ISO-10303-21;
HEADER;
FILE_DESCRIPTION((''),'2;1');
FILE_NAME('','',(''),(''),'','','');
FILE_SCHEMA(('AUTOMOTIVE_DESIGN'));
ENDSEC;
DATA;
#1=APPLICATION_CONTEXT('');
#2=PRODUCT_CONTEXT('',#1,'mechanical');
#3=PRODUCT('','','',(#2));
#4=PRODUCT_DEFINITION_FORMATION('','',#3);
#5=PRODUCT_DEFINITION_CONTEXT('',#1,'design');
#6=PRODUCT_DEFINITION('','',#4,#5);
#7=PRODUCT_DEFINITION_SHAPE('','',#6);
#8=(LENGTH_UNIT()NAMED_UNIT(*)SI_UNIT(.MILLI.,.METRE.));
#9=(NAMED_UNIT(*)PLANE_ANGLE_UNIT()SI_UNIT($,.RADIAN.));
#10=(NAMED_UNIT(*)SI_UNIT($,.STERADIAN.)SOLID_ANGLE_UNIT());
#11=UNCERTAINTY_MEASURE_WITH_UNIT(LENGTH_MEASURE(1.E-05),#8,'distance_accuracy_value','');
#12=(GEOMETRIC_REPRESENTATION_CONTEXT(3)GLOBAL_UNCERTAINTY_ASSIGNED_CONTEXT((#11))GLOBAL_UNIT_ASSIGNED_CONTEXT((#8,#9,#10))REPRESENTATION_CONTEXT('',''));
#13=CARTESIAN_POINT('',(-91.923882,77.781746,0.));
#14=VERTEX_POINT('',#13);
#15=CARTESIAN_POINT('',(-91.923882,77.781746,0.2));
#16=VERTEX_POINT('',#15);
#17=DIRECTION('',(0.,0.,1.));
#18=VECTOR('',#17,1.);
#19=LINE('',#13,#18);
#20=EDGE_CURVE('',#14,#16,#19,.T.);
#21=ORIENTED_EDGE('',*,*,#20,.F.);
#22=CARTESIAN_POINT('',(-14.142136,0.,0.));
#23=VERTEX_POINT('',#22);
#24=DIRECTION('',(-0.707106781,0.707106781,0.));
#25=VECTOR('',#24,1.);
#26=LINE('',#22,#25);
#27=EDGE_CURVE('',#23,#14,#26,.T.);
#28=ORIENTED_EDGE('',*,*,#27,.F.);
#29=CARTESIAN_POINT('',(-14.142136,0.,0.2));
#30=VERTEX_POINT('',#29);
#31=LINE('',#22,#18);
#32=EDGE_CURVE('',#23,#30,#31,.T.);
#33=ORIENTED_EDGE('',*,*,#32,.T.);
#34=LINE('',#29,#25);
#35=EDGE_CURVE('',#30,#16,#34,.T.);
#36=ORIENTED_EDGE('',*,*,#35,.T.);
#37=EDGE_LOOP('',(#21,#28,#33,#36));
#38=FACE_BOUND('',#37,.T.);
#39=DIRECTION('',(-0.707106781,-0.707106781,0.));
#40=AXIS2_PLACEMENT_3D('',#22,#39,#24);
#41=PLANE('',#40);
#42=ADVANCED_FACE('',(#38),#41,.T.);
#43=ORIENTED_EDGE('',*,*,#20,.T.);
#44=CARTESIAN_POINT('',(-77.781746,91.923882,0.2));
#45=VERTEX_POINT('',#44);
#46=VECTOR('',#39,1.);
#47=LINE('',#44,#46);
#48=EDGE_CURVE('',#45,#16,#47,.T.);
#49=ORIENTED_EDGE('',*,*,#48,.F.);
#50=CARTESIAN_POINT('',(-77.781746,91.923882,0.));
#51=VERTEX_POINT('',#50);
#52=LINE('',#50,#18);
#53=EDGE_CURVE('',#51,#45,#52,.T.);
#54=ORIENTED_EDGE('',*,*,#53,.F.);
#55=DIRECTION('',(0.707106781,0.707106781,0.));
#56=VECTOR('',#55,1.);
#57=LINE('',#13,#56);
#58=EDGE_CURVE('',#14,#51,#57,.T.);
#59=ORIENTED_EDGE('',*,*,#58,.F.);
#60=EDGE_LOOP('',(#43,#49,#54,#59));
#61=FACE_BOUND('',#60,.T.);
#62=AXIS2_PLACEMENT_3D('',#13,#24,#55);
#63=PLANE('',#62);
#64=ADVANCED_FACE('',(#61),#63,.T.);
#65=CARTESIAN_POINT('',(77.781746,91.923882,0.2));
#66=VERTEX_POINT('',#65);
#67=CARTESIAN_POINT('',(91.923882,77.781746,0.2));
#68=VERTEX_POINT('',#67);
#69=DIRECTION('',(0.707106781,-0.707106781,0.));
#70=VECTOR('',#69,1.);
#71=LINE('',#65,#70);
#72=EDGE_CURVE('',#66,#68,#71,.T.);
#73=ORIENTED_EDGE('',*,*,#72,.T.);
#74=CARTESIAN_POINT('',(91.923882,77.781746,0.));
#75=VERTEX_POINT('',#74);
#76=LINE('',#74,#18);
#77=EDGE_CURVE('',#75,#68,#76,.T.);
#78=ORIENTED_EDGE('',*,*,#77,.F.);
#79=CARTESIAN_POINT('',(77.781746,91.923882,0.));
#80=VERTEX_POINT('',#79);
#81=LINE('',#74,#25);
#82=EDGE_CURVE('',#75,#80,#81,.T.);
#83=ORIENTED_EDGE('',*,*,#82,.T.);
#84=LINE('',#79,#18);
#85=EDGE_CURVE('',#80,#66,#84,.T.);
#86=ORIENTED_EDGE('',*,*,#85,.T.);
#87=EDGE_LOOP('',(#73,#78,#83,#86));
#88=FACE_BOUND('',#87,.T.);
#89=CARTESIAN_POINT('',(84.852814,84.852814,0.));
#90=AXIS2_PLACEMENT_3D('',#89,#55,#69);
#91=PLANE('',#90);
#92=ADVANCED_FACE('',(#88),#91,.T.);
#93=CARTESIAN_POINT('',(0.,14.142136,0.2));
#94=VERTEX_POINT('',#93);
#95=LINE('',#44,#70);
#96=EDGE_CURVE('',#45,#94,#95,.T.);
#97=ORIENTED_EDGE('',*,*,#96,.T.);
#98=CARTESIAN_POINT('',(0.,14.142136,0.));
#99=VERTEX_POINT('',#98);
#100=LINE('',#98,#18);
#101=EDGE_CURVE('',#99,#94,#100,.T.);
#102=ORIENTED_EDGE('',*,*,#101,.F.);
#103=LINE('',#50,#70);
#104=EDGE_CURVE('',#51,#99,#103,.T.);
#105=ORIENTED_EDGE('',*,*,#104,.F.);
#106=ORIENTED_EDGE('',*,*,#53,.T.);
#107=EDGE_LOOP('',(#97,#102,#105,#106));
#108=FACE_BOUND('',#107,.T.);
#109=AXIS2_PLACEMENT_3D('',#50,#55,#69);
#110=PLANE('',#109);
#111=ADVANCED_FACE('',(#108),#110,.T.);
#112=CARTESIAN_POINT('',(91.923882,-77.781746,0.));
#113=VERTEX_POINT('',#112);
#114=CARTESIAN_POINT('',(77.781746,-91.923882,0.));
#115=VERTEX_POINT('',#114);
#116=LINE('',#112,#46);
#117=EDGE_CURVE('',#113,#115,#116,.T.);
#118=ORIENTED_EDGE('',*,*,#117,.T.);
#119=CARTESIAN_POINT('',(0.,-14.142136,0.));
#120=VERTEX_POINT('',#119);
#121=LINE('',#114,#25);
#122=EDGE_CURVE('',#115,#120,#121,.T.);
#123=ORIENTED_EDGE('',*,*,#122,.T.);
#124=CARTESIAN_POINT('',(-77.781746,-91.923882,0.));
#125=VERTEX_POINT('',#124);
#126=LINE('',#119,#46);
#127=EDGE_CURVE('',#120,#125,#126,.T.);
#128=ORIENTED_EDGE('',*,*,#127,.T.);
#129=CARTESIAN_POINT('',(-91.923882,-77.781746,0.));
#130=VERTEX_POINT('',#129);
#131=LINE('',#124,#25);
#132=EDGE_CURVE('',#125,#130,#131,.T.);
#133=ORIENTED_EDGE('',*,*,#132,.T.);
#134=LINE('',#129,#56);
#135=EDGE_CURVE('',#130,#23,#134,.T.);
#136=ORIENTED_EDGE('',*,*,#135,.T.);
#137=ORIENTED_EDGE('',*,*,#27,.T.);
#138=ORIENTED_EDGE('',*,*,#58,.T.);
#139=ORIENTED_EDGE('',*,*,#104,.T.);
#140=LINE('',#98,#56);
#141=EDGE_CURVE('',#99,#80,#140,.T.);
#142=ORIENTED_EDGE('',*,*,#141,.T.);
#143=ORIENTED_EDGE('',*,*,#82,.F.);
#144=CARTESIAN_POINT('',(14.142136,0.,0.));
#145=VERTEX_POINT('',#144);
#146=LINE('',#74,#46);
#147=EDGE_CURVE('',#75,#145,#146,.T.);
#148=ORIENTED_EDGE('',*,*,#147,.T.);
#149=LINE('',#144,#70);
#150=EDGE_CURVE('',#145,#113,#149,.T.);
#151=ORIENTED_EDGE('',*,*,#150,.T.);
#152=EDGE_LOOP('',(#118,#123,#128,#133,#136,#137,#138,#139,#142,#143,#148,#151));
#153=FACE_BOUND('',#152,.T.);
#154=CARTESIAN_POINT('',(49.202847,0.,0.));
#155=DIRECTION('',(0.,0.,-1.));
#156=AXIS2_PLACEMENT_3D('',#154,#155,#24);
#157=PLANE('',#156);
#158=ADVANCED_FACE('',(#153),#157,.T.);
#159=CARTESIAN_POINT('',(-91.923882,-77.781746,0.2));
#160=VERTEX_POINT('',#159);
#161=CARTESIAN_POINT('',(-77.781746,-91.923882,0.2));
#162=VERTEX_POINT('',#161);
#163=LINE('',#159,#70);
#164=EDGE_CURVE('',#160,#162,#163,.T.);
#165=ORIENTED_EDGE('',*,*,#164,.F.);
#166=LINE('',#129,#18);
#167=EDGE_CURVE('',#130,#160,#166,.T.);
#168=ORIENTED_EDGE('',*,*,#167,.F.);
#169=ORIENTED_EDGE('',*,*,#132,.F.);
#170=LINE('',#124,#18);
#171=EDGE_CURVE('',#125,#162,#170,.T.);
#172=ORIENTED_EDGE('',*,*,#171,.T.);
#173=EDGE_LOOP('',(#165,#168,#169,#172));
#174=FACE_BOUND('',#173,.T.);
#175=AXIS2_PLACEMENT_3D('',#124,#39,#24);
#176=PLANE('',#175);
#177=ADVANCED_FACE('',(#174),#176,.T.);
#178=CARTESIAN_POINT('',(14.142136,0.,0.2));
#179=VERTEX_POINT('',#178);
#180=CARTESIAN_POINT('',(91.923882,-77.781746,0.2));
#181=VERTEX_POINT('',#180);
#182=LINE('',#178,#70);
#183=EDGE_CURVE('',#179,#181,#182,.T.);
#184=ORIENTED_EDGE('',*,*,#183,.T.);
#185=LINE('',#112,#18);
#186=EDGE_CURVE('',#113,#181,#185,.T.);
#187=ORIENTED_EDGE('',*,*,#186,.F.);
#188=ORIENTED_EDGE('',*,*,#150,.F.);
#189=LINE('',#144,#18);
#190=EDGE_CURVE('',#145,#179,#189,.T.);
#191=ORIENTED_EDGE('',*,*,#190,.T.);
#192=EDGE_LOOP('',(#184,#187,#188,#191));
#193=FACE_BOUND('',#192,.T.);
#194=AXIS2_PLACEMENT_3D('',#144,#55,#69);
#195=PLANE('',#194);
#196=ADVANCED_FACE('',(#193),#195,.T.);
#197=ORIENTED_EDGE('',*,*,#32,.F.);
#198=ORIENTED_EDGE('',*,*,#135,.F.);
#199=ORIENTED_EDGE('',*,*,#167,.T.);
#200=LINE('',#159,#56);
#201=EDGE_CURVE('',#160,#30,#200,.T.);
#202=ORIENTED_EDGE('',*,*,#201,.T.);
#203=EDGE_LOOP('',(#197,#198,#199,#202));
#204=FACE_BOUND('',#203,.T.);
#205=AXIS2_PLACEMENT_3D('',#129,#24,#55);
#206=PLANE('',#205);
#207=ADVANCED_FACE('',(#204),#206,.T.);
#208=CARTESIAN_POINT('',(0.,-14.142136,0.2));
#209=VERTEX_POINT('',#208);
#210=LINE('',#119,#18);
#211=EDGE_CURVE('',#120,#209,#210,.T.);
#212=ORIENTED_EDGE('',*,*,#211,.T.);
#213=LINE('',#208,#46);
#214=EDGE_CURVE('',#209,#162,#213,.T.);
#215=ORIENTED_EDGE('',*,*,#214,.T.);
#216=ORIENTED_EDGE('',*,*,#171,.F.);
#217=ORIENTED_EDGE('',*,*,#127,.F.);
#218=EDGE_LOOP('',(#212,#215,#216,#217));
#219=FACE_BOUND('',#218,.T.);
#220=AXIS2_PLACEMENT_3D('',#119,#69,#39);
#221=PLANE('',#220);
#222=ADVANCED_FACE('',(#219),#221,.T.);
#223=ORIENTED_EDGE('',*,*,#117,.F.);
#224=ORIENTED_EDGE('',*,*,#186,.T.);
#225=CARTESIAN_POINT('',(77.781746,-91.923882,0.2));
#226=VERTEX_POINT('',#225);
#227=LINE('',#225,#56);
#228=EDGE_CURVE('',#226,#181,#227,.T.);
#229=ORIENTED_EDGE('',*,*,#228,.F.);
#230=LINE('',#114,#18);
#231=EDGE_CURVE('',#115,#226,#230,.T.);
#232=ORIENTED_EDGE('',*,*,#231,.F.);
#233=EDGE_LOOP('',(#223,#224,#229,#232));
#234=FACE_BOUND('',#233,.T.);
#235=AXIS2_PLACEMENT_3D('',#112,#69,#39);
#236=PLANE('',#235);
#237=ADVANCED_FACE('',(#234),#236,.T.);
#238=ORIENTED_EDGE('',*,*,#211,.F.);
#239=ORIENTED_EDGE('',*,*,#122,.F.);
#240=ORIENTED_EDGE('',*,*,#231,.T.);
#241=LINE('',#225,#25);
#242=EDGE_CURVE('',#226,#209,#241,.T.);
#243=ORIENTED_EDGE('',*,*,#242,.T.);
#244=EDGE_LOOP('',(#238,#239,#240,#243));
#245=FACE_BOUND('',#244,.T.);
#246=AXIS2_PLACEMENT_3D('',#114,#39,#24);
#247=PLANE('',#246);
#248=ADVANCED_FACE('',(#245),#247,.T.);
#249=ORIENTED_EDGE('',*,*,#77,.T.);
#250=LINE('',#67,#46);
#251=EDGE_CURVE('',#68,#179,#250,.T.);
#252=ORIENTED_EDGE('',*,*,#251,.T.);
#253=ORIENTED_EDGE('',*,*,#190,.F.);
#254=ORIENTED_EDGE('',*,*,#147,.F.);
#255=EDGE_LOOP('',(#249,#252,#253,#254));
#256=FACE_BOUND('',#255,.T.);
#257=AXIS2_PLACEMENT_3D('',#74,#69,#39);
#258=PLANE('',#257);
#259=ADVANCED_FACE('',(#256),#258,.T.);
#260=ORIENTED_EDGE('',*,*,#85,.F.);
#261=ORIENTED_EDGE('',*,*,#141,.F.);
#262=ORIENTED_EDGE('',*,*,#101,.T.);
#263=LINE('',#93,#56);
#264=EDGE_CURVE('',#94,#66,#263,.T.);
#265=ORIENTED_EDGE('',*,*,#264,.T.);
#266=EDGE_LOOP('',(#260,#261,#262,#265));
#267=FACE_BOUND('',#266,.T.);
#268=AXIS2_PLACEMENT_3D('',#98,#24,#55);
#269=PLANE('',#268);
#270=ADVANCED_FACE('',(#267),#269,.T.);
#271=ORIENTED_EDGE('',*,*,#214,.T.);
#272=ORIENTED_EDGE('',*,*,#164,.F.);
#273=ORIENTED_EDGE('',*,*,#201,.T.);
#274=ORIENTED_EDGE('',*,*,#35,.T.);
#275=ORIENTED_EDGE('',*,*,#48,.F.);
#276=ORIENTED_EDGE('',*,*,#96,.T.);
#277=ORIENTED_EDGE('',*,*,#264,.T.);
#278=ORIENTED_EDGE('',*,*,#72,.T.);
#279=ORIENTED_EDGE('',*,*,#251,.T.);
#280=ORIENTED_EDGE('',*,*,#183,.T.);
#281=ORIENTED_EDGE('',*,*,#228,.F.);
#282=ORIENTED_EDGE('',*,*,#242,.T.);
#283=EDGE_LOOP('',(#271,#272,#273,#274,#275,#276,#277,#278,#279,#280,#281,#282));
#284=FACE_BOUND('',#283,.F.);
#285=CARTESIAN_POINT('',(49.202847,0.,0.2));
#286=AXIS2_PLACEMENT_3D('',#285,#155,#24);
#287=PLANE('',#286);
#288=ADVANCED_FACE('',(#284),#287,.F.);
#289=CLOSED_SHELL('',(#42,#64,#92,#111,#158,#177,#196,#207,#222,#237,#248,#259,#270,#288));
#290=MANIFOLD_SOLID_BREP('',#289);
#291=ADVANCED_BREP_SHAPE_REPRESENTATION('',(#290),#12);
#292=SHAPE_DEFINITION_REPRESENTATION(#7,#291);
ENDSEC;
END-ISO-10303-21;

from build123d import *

# Parameters (mm, degrees)
PAD_DEPTH          = 0.2
POLARPATTERN_COUNT = 4


with BuildPart() as part:
    # Sketch → Pad (new body)
    with BuildSketch(Plane(origin=(0, 0, 0), x_dir=(0.707107, 0.707107, 0), z_dir=(0, 0, 1))):
        Polygon((0, 120), (10, 120), (10, 10), (120, 10), (120, 0), (0, 0), align=None)
    pad = extrude(amount=PAD_DEPTH)

    # PolarPattern: Pad ×4 about axis
    polarpattern_axis = Axis((0, 0, 0), (0, 0, 1))
    for i in range(1, POLARPATTERN_COUNT):
        add(pad.rotate(polarpattern_axis, i * 360 / POLARPATTERN_COUNT))


solid = part.part
